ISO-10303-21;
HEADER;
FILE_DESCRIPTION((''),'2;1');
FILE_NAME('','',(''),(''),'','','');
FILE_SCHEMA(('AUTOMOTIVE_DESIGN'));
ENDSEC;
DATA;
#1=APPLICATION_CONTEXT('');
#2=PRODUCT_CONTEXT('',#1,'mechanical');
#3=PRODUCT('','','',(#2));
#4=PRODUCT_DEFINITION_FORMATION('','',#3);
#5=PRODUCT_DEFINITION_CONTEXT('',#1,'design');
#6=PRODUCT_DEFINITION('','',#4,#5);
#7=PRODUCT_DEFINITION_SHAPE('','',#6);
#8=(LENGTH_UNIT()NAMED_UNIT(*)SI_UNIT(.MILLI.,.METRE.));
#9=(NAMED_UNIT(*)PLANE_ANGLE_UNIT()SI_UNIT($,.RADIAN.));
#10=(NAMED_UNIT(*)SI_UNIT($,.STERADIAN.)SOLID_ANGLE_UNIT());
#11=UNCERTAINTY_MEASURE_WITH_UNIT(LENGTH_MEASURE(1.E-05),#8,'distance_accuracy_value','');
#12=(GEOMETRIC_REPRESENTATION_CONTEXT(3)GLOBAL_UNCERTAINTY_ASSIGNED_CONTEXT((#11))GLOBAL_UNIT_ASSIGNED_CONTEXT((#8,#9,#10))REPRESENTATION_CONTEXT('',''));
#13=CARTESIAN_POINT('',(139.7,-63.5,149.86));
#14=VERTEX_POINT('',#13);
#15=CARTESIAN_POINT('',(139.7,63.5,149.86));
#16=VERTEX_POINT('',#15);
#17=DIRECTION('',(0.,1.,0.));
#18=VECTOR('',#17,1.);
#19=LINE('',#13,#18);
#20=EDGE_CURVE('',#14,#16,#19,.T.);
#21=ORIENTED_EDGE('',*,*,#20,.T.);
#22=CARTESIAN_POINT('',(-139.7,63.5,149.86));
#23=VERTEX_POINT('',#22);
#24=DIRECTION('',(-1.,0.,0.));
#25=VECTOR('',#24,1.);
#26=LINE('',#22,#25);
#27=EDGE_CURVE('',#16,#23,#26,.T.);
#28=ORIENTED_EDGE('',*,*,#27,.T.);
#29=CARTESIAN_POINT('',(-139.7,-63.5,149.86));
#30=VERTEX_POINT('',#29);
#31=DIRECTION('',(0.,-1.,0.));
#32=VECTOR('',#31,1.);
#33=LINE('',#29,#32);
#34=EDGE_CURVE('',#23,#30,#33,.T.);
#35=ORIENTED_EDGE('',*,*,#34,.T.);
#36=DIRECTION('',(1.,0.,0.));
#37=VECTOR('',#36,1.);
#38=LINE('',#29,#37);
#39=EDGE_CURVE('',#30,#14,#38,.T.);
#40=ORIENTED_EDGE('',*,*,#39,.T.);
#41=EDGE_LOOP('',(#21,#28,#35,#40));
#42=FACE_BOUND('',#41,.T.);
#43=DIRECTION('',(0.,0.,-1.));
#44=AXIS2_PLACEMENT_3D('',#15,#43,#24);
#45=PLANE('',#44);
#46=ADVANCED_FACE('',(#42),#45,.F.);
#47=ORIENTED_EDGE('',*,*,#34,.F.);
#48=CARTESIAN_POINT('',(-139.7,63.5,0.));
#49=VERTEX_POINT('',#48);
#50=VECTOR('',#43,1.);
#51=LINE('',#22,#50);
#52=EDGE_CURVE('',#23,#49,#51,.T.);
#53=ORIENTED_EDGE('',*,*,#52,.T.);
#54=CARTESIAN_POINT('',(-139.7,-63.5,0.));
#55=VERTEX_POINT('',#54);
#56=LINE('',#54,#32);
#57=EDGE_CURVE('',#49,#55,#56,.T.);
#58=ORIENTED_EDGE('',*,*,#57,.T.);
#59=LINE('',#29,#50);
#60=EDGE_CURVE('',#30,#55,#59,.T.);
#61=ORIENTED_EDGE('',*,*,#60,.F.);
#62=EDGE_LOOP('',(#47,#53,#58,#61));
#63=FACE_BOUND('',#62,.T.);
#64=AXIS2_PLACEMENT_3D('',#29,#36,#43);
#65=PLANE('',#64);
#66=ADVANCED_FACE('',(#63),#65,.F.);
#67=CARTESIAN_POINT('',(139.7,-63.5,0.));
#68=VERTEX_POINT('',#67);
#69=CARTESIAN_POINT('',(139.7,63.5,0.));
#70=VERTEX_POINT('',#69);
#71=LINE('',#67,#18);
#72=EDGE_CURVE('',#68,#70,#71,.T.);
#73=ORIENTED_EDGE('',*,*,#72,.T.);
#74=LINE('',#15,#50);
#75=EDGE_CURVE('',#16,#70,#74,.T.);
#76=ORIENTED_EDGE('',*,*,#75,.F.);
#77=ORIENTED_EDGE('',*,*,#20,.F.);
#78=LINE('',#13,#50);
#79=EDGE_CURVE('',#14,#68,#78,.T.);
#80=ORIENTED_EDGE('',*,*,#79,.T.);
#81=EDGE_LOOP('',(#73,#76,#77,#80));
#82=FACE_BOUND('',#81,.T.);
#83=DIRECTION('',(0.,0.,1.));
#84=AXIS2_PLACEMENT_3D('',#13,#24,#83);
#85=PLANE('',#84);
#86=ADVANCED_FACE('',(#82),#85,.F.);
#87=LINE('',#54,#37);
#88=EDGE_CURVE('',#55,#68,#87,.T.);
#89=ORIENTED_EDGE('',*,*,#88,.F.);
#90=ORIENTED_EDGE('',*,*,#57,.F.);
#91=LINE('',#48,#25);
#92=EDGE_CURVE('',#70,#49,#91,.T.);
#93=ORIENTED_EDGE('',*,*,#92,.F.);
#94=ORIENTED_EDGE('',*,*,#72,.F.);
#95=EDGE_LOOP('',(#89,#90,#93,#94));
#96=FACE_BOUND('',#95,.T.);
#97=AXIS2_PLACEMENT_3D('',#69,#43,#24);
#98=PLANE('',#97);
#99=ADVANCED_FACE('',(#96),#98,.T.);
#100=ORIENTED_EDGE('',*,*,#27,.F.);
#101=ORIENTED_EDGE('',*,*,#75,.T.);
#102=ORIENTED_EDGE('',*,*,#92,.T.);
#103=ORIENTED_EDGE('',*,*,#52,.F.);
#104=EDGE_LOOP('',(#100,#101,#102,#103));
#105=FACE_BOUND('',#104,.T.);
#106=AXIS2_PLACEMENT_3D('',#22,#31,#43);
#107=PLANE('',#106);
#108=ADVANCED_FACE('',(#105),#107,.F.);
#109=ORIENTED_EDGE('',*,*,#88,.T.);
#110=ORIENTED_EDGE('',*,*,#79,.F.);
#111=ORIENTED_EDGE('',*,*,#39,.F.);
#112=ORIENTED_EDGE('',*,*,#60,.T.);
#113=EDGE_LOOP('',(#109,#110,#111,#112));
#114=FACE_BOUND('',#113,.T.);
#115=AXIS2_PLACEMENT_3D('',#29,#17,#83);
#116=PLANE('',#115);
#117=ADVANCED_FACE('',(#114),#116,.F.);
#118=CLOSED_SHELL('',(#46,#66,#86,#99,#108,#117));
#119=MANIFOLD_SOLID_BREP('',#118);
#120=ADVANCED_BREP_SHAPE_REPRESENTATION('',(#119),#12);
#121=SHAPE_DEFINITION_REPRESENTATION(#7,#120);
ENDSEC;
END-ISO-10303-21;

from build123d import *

# Parameters (mm, degrees)
SKETCH1_W      = 279.4
SKETCH1_H      = 127
EXTRUDE1_DEPTH = 149.86


with BuildPart() as part:
    # Sketch1 → Extrude1 (new body)
    with BuildSketch(Plane.XY):
        Rectangle(SKETCH1_W, SKETCH1_H)
    extrude(amount=EXTRUDE1_DEPTH)


solid = part.part
